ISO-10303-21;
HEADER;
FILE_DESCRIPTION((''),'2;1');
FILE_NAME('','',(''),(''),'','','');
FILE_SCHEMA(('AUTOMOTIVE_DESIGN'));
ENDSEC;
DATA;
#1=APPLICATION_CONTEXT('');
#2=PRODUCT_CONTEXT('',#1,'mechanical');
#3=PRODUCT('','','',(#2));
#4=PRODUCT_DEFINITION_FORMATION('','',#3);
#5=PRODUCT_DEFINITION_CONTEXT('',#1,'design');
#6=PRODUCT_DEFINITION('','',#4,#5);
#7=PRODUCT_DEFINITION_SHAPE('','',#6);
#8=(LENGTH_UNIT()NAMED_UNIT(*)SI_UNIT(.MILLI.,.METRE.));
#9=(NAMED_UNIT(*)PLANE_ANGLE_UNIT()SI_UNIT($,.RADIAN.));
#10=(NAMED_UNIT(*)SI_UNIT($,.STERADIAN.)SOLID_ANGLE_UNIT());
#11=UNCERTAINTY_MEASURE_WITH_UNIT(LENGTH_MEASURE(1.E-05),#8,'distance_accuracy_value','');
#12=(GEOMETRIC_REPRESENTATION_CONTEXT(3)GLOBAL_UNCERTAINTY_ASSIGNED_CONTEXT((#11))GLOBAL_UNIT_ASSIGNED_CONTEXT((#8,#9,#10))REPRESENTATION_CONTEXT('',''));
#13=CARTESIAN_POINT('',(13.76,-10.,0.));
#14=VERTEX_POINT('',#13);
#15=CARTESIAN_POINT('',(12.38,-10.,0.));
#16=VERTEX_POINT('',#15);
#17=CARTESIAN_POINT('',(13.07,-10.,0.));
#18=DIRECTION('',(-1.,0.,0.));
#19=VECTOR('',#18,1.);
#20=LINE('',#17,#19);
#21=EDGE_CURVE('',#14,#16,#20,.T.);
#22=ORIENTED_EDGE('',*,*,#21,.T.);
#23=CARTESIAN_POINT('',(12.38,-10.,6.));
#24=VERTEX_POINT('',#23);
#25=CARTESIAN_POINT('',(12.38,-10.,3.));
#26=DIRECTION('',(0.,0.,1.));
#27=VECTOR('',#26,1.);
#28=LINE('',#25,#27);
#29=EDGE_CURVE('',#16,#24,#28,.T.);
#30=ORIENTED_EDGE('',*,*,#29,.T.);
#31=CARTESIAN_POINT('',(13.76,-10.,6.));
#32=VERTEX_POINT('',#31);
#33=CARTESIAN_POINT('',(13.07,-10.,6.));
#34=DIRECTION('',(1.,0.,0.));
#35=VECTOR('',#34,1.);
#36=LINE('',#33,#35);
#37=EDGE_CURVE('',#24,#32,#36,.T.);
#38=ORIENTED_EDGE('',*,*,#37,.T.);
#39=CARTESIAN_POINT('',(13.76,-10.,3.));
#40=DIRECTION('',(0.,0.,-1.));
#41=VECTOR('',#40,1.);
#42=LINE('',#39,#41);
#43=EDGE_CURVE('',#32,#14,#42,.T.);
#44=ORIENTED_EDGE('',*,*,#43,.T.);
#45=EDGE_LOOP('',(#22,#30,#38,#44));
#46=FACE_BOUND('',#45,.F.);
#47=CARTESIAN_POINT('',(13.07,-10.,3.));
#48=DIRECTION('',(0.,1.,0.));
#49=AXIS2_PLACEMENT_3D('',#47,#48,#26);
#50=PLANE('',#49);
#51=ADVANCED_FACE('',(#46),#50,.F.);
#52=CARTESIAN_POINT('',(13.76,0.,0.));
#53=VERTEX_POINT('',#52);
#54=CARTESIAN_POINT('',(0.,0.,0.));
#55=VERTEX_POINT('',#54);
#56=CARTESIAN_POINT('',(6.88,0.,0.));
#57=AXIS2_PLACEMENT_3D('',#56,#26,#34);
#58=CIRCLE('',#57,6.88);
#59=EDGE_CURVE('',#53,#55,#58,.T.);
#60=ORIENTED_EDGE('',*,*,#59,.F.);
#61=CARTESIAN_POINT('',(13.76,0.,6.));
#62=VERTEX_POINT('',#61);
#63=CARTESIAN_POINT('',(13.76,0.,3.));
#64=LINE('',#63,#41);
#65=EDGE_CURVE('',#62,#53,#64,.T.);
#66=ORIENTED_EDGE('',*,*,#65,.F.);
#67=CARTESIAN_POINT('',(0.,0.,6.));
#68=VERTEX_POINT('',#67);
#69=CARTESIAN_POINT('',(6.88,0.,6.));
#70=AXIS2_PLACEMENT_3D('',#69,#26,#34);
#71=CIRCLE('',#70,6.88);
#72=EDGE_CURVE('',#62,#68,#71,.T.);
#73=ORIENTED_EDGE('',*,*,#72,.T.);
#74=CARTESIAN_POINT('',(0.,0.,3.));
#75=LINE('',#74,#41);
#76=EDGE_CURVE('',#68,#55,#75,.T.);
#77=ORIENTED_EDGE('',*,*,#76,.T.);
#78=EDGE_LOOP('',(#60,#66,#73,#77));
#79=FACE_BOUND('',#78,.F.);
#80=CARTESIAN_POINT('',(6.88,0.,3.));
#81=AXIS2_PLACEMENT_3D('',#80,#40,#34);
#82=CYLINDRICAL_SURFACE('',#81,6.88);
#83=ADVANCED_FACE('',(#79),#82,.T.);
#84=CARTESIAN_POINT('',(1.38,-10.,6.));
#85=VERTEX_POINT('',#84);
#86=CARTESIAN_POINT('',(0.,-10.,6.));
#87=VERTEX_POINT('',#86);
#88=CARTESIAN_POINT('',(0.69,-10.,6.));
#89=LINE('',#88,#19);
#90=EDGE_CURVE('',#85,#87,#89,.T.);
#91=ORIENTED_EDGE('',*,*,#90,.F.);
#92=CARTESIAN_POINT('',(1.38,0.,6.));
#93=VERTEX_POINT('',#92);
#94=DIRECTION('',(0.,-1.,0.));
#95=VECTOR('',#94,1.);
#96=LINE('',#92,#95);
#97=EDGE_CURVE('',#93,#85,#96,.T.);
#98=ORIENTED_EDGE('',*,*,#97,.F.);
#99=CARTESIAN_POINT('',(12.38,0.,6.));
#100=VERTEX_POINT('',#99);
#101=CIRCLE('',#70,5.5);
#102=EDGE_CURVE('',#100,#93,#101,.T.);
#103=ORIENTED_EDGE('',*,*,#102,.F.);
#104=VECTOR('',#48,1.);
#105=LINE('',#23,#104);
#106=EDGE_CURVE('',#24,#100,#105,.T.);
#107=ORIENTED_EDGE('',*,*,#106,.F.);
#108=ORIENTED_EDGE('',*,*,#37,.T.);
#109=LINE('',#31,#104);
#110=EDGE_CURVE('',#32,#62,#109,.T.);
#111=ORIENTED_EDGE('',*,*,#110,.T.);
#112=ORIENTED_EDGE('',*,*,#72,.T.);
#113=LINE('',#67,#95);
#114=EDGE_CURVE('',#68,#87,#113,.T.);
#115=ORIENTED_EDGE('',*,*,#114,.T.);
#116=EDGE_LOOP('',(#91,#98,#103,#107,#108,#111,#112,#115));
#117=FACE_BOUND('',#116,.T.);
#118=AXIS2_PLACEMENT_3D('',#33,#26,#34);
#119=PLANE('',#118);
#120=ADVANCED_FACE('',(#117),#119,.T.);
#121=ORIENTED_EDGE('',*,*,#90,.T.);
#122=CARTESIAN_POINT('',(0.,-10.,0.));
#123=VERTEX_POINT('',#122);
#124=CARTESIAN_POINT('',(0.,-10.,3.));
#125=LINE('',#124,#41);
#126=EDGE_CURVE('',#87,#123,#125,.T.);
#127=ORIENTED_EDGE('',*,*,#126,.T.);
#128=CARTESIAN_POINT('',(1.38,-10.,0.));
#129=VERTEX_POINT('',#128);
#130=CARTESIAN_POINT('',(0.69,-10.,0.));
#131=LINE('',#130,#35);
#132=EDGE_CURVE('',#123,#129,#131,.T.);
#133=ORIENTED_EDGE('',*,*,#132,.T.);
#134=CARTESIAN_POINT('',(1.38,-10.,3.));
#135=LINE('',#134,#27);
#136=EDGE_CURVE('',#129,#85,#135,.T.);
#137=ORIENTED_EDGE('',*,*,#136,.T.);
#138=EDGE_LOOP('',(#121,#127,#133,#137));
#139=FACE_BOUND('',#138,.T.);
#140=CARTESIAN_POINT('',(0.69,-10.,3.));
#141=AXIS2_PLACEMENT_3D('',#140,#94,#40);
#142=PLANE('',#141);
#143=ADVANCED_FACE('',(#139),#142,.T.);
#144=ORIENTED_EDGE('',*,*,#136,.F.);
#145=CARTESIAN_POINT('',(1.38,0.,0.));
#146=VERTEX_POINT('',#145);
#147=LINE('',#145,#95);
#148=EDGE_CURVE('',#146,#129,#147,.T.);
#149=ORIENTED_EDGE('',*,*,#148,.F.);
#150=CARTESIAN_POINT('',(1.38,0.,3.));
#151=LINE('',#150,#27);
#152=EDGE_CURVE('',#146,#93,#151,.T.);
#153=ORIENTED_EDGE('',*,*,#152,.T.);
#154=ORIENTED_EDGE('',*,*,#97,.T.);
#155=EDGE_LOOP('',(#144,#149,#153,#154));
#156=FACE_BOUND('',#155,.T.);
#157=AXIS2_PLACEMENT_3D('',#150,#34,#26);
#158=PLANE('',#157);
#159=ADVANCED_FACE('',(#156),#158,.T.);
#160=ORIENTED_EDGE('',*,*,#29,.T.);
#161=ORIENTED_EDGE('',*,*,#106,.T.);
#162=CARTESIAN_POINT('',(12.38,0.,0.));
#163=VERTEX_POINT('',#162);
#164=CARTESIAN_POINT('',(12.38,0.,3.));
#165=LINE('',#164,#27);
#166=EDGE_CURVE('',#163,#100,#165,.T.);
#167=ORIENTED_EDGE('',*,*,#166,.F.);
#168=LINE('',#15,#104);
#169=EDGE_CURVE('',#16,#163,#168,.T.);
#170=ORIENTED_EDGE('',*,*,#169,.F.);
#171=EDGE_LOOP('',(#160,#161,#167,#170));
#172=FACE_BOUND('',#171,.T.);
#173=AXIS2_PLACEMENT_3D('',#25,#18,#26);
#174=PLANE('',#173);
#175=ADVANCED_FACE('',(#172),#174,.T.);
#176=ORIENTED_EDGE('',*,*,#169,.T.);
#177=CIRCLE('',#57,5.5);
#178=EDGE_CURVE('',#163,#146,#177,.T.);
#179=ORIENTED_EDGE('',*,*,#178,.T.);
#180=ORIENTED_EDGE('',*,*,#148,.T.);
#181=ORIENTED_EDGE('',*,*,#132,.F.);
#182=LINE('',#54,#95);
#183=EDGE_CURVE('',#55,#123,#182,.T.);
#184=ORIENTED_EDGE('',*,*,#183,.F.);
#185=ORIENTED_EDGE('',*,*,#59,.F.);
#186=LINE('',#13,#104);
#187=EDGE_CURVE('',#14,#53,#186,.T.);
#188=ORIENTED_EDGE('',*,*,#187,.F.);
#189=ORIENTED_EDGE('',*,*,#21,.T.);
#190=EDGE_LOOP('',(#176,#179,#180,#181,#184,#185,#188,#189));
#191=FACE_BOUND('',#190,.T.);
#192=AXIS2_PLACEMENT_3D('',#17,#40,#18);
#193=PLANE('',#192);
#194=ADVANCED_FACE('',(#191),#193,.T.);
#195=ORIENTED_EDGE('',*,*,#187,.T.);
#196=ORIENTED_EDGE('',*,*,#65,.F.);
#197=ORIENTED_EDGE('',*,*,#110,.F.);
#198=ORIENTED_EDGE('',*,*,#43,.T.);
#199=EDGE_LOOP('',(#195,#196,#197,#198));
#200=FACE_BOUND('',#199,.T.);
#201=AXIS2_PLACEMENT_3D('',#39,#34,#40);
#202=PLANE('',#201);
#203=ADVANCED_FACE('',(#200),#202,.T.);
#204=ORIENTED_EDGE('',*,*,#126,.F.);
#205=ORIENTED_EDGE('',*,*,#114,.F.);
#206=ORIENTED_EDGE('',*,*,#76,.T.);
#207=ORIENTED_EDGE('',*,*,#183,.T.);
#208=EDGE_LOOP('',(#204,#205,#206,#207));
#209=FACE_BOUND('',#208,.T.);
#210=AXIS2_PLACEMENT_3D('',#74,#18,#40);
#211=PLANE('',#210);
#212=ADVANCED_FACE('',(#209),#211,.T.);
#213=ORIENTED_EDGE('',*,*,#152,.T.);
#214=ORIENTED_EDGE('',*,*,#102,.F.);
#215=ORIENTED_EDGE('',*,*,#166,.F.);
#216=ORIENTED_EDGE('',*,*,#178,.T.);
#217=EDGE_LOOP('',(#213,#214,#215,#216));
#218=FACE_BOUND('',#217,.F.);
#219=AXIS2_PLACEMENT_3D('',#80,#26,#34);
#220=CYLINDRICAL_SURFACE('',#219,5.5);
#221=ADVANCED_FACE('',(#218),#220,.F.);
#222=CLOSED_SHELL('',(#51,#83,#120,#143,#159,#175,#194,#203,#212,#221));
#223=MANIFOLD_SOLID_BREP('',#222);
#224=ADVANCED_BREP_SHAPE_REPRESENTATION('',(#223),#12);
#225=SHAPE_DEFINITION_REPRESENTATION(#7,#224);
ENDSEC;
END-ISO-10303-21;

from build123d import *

# Parameters (mm, degrees)
SKETCH013_W = 1.38
SKETCH013_H = 6


with BuildPart() as part:
    # AdditivePipe004: sweep along a path in Sketch014
    with BuildLine(Plane.XY) as additivepipe004_path:
        Line((12.38, -10), (12.38, 0))
        ThreePointArc((12.38, 0), (6.88, 5.5), (1.38, 0))
        Line((1.38, 0), (1.38, -10))
    # Sketch013 → AdditivePipe004 (sweep)
    with BuildSketch(Plane.XZ):
        with Locations((0.69, 3)):
            Rectangle(SKETCH013_W, SKETCH013_H)
    sweep(path=additivepipe004_path.line)


solid = part.part
